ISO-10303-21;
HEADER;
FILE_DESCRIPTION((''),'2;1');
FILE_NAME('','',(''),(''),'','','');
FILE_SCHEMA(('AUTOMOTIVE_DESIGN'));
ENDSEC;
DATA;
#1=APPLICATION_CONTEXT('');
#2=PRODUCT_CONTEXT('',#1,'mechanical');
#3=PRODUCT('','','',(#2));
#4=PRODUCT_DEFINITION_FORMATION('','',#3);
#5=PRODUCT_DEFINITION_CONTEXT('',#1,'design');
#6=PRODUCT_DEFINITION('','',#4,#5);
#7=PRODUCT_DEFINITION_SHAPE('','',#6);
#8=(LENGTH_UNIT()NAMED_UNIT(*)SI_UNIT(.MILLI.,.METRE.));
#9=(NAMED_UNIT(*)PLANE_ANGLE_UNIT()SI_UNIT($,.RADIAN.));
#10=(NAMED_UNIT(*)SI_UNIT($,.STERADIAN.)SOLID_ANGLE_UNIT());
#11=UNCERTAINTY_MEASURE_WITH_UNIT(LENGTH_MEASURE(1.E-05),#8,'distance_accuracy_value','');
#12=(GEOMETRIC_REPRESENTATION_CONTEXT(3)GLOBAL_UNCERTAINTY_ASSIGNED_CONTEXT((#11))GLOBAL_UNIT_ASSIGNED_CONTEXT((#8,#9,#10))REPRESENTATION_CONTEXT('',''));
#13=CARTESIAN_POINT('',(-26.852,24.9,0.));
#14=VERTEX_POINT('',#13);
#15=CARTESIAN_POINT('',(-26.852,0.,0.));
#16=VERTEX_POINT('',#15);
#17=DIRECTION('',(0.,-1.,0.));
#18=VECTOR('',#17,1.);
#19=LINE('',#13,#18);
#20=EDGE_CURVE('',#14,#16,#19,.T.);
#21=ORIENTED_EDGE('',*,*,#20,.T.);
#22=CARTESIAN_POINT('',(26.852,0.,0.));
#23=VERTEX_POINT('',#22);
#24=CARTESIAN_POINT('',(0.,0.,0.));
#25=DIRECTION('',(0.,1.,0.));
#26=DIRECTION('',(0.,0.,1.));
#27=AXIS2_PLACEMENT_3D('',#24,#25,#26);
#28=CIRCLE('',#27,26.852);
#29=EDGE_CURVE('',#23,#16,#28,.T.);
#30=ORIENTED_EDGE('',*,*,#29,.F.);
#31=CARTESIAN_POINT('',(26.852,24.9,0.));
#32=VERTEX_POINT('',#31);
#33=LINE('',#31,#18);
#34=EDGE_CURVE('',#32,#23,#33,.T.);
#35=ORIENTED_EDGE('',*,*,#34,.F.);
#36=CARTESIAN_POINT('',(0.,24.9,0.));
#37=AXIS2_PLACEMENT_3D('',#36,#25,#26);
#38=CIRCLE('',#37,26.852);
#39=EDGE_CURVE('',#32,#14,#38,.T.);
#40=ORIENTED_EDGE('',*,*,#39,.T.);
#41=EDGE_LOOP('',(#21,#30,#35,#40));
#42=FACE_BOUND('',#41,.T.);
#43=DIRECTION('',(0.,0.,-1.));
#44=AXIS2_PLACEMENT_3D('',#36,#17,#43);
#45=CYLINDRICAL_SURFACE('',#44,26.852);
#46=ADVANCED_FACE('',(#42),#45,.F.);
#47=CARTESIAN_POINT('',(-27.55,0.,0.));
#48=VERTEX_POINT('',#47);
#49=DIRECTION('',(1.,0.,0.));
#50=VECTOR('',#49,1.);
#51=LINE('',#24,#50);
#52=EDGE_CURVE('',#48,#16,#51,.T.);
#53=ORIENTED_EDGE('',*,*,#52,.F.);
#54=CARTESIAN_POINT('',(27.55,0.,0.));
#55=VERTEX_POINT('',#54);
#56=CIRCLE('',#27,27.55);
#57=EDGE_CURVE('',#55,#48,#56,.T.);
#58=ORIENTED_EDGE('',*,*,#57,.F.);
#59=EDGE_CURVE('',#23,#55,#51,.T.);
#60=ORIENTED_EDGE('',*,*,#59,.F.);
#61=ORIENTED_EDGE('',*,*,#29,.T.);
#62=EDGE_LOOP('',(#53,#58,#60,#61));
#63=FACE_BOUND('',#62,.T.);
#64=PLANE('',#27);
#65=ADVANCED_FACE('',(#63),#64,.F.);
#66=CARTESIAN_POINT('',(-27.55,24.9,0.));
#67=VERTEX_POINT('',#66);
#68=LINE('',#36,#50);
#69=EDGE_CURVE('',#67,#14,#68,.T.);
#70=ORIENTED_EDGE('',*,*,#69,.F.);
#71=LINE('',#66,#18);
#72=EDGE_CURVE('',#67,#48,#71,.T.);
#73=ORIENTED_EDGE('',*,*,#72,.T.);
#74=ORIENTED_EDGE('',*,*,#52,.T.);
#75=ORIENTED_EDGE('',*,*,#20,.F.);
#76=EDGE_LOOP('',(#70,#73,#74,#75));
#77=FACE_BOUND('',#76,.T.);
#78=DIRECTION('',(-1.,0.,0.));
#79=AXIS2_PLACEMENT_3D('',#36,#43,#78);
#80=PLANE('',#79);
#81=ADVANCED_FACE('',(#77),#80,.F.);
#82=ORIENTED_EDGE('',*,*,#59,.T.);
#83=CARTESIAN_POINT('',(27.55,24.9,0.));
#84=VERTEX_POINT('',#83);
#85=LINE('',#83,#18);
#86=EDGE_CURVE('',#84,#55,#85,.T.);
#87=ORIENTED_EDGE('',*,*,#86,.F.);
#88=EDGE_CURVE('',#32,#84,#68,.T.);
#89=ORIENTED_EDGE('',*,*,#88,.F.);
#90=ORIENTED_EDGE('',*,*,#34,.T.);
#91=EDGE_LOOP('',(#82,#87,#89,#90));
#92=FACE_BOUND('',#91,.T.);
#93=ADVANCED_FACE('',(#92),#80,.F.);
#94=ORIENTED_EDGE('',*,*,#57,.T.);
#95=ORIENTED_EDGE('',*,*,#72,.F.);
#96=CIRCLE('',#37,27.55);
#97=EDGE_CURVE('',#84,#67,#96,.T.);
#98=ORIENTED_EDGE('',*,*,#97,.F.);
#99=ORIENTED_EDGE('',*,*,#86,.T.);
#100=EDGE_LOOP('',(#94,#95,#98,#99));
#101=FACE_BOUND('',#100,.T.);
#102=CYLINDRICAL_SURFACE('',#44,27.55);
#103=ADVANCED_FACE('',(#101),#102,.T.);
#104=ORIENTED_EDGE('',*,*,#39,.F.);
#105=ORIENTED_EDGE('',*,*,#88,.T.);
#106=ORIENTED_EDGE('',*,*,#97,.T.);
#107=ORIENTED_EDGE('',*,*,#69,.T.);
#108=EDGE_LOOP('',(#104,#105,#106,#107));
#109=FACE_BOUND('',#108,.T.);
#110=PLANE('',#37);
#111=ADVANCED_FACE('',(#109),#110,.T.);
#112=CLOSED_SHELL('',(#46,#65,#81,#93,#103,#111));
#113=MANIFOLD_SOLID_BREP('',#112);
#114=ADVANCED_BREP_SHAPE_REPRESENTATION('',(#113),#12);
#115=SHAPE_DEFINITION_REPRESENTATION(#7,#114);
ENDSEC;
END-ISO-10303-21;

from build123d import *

# Parameters (mm, degrees)
BOSS_EXTRUDE1_DEPTH = 24.9


with BuildPart() as part:
    # Sketch1 → Boss-Extrude1 (new body)
    with BuildSketch(Plane(origin=(0, 0, 0), x_dir=(1, 0, 0), z_dir=(0, 1, 0))):
        with BuildLine():
            ThreePointArc((-26.852, 0), (0, 26.852), (26.852, 0))
            Line((26.852, 0), (27.55, 0))
            ThreePointArc((27.55, 0), (0, 27.55), (-27.55, 0))
            Line((-27.55, 0), (-26.852, 0))
        make_face()
    extrude(amount=BOSS_EXTRUDE1_DEPTH)


solid = part.part
